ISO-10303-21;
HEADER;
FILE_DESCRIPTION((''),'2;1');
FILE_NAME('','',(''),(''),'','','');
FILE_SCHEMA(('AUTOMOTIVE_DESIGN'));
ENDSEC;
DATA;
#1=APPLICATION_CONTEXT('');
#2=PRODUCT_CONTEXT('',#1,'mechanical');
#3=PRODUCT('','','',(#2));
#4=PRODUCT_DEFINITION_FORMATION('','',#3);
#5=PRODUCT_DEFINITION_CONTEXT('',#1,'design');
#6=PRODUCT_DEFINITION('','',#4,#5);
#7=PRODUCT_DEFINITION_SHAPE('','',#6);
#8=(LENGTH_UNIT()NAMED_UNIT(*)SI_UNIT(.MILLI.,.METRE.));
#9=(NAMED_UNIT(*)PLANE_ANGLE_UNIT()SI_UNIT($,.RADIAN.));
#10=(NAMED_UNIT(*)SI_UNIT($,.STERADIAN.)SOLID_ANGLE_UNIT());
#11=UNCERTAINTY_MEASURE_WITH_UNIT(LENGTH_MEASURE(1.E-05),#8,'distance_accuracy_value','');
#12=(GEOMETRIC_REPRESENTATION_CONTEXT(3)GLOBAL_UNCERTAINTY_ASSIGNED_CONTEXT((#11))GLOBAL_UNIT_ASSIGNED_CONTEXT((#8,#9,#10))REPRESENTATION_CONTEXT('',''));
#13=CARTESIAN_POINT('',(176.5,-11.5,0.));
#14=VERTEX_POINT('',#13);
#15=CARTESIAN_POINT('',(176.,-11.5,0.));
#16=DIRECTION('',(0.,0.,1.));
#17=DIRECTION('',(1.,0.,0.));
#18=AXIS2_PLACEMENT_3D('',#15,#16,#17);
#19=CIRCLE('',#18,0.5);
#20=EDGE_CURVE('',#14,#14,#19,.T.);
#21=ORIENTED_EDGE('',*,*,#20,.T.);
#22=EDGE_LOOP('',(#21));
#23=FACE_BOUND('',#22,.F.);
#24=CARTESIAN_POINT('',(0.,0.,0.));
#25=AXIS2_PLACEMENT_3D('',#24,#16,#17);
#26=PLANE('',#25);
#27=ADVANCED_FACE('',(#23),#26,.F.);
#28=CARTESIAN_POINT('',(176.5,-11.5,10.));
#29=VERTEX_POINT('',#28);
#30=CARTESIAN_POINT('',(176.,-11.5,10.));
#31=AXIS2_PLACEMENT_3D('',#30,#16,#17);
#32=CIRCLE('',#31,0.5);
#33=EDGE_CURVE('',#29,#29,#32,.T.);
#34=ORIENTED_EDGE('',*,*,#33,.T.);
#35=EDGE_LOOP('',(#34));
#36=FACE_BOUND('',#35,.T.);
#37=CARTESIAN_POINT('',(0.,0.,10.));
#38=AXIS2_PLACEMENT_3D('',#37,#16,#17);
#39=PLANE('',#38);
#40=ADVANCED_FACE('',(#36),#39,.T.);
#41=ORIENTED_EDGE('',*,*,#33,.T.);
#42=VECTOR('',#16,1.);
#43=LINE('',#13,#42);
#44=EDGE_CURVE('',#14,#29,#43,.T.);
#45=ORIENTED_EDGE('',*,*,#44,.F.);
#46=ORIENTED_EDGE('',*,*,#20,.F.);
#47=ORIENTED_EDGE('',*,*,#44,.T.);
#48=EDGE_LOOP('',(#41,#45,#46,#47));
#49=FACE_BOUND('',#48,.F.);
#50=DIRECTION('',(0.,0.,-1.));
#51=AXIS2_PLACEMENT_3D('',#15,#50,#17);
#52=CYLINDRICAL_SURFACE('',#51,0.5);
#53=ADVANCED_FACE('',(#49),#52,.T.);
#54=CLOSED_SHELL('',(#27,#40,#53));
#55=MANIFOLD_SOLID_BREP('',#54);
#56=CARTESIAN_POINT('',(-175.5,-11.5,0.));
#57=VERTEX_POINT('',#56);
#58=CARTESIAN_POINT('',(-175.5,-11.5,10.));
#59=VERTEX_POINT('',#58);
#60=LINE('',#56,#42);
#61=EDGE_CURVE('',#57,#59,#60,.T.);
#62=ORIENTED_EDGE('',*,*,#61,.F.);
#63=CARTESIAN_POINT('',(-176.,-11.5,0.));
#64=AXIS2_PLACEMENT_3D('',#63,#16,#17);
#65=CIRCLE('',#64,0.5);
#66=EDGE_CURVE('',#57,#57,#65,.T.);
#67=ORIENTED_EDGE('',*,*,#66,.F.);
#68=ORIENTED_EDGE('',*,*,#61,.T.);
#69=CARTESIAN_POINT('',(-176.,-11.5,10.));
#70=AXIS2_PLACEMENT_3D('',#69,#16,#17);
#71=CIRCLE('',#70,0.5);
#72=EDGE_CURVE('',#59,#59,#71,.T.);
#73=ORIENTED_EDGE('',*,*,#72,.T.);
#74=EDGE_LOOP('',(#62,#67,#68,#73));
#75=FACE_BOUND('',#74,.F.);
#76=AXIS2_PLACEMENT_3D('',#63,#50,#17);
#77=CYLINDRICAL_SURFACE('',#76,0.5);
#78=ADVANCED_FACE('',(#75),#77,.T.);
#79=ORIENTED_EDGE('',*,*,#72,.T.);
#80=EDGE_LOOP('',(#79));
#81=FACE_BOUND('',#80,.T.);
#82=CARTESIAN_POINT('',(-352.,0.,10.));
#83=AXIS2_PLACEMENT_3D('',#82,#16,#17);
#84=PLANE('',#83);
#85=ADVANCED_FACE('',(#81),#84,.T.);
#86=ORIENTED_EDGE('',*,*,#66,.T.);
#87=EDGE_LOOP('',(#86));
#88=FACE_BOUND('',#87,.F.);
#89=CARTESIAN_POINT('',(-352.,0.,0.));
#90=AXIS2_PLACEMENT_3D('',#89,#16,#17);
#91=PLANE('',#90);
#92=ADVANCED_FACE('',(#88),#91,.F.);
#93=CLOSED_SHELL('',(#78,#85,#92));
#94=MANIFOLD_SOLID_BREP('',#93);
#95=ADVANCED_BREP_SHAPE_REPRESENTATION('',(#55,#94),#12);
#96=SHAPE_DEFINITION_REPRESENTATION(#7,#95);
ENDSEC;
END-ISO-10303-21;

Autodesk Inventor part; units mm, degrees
ref_plane "YZ Plane" through (0, 0, 0) normal (1, 0, 0) x (0, 1, 0)
ref_plane "XZ Plane" through (0, 0, 0) normal (0, 1, 0) x (-1, 0, 0)
ref_plane "XY Plane" through (0, 0, 0) normal (0, 0, 1) x (1, 0, 0)
sketch "Sketch1" plane through (0, 0, 0) normal (0, 0, 1) x (1, 0, 0)
  line L0 (-250, -9) -> (250, -9)
  line L1 (250, -9) -> (250, 9)
  line L2 (250, 9) -> (-250, 9)
  line L3 (-250, 9) -> (-250, -9)
  line L4 (-250, -9) -> (250, 9) construction
  line L5 (250, -9) -> (-250, 9) construction
  point P0 (0, 0)
  dimension "d0" = 500
  dimension "d1" = 18
sketch "Sketch2" plane through (0, 0, 0) normal (0, 0, 1) x (1, 0, 0)
  circle A0 centre (176, -11.5) radius 0.5
  line L0 (250, 9) -> (-250, 9) projected
  line L1 (-250, -9) -> (250, -9) projected
  line L2 (0, -16.2) -> (0, 13.2) projected
  line L3 (250, -9) -> (250, 9) projected
  point P0 (0, 0)
  point P1 (250, 0)
  dimension "d4" = 1
  dimension "d26" = 74
  dimension "d29" = 2.5
extrude "Extrusion1" add sketch "Sketch2" along normal blind 10 contours A0
pattern_linear "Confirmat Array" count 2 spacing 352 along (-1, 0, 0) of "Extrusion1"
equation "\"d26\" = X_Coord"
equation "\"d9\" = Step"
equation "\"d0\" = ContactPatchWidth"
equation "\"d1\" = ContactPatchHeight"
equation "\"ContactPatchWidth\" = 500"
equation "\"ContactPatchHeight\" = 18"
equation "\"PlacingStep\" = 32"
equation "\"PlacingWithByStep\" = 352"
equation "\"X_Coord\" = 74"
equation "\"Step\" = 352"
equation "\"Y_Coord\" = 9.5"
equation "\"MaxDistBetweenByStep\" = 192"
properties part number "Minfix&Dowel Joint"
